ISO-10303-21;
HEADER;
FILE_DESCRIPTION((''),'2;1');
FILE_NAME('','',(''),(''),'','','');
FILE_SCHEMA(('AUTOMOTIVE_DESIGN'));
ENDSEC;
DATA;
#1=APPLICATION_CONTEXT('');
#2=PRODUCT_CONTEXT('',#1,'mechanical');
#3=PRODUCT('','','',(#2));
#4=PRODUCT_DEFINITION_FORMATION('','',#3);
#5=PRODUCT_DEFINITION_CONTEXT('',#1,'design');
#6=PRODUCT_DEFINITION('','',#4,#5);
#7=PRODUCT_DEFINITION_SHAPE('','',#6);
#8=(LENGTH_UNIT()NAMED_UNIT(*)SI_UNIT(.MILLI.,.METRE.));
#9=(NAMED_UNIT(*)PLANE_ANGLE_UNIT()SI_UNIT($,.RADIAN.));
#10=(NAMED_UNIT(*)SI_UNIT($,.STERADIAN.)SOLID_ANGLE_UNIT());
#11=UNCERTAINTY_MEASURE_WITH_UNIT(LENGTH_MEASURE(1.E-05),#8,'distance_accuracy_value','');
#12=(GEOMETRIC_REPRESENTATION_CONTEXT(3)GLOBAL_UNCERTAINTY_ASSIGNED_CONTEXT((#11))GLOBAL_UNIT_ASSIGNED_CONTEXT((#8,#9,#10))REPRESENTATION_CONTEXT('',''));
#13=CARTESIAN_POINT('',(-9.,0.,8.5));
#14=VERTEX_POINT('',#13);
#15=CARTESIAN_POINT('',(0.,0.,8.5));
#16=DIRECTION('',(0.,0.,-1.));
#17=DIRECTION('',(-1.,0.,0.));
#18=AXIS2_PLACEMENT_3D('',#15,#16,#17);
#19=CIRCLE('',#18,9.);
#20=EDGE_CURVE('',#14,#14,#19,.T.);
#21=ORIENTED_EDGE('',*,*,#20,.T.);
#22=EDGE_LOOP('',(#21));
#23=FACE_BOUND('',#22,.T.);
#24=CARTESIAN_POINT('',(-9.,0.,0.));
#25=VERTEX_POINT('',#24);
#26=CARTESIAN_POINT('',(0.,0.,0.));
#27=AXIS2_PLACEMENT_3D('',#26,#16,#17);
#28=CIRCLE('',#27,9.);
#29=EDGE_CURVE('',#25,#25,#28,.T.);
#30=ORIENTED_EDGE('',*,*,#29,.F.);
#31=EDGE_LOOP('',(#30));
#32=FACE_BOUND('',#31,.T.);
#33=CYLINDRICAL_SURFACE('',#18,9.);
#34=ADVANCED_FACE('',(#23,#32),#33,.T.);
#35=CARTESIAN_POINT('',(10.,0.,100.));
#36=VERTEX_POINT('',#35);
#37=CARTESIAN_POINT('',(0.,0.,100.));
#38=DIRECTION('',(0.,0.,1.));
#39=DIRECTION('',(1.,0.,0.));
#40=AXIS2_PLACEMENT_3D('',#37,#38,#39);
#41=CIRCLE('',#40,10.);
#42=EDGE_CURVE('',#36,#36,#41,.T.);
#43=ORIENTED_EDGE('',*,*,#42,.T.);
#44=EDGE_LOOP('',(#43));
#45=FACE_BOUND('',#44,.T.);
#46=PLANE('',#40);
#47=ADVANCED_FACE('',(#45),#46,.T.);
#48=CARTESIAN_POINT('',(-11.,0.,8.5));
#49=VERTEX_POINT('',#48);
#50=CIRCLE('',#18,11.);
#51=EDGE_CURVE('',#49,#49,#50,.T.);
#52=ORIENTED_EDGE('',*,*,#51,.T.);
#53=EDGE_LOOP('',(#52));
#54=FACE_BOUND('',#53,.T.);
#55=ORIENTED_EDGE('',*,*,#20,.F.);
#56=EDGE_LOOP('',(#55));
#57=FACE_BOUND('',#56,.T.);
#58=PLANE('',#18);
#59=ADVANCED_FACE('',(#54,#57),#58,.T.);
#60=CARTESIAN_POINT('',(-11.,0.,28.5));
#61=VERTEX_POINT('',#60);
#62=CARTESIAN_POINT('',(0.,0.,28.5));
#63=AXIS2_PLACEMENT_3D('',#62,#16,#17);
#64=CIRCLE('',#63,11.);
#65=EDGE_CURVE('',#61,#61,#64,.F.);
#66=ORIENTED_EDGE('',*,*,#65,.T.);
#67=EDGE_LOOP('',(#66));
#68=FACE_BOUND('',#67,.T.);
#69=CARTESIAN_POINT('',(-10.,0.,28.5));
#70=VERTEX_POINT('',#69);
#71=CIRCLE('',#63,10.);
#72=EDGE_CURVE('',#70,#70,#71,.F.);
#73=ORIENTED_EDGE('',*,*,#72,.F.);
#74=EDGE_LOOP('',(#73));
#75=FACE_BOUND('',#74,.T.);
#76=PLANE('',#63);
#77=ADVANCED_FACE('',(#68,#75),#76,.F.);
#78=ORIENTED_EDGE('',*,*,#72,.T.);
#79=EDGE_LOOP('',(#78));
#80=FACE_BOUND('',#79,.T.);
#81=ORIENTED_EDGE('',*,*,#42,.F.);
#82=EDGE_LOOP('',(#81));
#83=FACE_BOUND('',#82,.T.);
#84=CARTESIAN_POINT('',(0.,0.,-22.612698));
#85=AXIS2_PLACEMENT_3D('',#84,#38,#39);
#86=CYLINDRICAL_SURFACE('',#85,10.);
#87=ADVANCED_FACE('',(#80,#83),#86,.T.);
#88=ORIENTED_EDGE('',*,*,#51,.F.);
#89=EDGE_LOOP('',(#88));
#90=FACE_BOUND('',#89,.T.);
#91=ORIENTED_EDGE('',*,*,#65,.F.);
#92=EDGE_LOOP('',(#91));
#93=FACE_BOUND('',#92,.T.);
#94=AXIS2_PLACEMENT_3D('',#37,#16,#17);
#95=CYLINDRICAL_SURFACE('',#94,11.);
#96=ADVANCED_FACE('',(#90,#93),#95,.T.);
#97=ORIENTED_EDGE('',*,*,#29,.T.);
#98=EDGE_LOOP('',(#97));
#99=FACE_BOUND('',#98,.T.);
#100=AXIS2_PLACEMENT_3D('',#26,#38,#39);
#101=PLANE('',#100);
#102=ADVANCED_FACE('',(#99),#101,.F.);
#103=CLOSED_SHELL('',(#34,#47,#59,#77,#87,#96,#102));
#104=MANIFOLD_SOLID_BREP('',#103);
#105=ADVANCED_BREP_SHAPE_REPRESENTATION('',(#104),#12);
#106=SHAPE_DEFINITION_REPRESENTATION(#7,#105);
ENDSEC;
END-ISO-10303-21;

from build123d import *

# Parameters (mm, degrees)
SKETCH_1_R          = 11
EXTRUDE_1_DEPTH     = 100
SKETCH_2_R          = 11
SKETCH_2_R_2        = 9
CUT_EXTRUDE_1_DEPTH = 8.5
SKETCH_3_R          = 11
SKETCH_3_R_2        = 10
CUT_EXTRUDE_2_DEPTH = 71.5


with BuildPart() as part:
    # 草圖1 → 填料-伸長1 (new body)
    with BuildSketch(Plane.XY):
        Circle(SKETCH_1_R)
    extrude(amount=EXTRUDE_1_DEPTH)

    # 草圖2 → 除料-伸長1 (cut)
    with BuildSketch(Plane(origin=(0, 0, 0), x_dir=(-1, 0, 0), z_dir=(0, 0, -1))):
        Circle(SKETCH_2_R)
        Circle(SKETCH_2_R_2, mode=Mode.SUBTRACT)
    extrude(amount=-CUT_EXTRUDE_1_DEPTH, mode=Mode.SUBTRACT)

    # 草圖3 → 除料-伸長2 (cut)
    with BuildSketch(Plane.XY.offset(100)):
        Circle(SKETCH_3_R)
        Circle(SKETCH_3_R_2, mode=Mode.SUBTRACT)
    extrude(amount=-CUT_EXTRUDE_2_DEPTH, mode=Mode.SUBTRACT)


solid = part.part
